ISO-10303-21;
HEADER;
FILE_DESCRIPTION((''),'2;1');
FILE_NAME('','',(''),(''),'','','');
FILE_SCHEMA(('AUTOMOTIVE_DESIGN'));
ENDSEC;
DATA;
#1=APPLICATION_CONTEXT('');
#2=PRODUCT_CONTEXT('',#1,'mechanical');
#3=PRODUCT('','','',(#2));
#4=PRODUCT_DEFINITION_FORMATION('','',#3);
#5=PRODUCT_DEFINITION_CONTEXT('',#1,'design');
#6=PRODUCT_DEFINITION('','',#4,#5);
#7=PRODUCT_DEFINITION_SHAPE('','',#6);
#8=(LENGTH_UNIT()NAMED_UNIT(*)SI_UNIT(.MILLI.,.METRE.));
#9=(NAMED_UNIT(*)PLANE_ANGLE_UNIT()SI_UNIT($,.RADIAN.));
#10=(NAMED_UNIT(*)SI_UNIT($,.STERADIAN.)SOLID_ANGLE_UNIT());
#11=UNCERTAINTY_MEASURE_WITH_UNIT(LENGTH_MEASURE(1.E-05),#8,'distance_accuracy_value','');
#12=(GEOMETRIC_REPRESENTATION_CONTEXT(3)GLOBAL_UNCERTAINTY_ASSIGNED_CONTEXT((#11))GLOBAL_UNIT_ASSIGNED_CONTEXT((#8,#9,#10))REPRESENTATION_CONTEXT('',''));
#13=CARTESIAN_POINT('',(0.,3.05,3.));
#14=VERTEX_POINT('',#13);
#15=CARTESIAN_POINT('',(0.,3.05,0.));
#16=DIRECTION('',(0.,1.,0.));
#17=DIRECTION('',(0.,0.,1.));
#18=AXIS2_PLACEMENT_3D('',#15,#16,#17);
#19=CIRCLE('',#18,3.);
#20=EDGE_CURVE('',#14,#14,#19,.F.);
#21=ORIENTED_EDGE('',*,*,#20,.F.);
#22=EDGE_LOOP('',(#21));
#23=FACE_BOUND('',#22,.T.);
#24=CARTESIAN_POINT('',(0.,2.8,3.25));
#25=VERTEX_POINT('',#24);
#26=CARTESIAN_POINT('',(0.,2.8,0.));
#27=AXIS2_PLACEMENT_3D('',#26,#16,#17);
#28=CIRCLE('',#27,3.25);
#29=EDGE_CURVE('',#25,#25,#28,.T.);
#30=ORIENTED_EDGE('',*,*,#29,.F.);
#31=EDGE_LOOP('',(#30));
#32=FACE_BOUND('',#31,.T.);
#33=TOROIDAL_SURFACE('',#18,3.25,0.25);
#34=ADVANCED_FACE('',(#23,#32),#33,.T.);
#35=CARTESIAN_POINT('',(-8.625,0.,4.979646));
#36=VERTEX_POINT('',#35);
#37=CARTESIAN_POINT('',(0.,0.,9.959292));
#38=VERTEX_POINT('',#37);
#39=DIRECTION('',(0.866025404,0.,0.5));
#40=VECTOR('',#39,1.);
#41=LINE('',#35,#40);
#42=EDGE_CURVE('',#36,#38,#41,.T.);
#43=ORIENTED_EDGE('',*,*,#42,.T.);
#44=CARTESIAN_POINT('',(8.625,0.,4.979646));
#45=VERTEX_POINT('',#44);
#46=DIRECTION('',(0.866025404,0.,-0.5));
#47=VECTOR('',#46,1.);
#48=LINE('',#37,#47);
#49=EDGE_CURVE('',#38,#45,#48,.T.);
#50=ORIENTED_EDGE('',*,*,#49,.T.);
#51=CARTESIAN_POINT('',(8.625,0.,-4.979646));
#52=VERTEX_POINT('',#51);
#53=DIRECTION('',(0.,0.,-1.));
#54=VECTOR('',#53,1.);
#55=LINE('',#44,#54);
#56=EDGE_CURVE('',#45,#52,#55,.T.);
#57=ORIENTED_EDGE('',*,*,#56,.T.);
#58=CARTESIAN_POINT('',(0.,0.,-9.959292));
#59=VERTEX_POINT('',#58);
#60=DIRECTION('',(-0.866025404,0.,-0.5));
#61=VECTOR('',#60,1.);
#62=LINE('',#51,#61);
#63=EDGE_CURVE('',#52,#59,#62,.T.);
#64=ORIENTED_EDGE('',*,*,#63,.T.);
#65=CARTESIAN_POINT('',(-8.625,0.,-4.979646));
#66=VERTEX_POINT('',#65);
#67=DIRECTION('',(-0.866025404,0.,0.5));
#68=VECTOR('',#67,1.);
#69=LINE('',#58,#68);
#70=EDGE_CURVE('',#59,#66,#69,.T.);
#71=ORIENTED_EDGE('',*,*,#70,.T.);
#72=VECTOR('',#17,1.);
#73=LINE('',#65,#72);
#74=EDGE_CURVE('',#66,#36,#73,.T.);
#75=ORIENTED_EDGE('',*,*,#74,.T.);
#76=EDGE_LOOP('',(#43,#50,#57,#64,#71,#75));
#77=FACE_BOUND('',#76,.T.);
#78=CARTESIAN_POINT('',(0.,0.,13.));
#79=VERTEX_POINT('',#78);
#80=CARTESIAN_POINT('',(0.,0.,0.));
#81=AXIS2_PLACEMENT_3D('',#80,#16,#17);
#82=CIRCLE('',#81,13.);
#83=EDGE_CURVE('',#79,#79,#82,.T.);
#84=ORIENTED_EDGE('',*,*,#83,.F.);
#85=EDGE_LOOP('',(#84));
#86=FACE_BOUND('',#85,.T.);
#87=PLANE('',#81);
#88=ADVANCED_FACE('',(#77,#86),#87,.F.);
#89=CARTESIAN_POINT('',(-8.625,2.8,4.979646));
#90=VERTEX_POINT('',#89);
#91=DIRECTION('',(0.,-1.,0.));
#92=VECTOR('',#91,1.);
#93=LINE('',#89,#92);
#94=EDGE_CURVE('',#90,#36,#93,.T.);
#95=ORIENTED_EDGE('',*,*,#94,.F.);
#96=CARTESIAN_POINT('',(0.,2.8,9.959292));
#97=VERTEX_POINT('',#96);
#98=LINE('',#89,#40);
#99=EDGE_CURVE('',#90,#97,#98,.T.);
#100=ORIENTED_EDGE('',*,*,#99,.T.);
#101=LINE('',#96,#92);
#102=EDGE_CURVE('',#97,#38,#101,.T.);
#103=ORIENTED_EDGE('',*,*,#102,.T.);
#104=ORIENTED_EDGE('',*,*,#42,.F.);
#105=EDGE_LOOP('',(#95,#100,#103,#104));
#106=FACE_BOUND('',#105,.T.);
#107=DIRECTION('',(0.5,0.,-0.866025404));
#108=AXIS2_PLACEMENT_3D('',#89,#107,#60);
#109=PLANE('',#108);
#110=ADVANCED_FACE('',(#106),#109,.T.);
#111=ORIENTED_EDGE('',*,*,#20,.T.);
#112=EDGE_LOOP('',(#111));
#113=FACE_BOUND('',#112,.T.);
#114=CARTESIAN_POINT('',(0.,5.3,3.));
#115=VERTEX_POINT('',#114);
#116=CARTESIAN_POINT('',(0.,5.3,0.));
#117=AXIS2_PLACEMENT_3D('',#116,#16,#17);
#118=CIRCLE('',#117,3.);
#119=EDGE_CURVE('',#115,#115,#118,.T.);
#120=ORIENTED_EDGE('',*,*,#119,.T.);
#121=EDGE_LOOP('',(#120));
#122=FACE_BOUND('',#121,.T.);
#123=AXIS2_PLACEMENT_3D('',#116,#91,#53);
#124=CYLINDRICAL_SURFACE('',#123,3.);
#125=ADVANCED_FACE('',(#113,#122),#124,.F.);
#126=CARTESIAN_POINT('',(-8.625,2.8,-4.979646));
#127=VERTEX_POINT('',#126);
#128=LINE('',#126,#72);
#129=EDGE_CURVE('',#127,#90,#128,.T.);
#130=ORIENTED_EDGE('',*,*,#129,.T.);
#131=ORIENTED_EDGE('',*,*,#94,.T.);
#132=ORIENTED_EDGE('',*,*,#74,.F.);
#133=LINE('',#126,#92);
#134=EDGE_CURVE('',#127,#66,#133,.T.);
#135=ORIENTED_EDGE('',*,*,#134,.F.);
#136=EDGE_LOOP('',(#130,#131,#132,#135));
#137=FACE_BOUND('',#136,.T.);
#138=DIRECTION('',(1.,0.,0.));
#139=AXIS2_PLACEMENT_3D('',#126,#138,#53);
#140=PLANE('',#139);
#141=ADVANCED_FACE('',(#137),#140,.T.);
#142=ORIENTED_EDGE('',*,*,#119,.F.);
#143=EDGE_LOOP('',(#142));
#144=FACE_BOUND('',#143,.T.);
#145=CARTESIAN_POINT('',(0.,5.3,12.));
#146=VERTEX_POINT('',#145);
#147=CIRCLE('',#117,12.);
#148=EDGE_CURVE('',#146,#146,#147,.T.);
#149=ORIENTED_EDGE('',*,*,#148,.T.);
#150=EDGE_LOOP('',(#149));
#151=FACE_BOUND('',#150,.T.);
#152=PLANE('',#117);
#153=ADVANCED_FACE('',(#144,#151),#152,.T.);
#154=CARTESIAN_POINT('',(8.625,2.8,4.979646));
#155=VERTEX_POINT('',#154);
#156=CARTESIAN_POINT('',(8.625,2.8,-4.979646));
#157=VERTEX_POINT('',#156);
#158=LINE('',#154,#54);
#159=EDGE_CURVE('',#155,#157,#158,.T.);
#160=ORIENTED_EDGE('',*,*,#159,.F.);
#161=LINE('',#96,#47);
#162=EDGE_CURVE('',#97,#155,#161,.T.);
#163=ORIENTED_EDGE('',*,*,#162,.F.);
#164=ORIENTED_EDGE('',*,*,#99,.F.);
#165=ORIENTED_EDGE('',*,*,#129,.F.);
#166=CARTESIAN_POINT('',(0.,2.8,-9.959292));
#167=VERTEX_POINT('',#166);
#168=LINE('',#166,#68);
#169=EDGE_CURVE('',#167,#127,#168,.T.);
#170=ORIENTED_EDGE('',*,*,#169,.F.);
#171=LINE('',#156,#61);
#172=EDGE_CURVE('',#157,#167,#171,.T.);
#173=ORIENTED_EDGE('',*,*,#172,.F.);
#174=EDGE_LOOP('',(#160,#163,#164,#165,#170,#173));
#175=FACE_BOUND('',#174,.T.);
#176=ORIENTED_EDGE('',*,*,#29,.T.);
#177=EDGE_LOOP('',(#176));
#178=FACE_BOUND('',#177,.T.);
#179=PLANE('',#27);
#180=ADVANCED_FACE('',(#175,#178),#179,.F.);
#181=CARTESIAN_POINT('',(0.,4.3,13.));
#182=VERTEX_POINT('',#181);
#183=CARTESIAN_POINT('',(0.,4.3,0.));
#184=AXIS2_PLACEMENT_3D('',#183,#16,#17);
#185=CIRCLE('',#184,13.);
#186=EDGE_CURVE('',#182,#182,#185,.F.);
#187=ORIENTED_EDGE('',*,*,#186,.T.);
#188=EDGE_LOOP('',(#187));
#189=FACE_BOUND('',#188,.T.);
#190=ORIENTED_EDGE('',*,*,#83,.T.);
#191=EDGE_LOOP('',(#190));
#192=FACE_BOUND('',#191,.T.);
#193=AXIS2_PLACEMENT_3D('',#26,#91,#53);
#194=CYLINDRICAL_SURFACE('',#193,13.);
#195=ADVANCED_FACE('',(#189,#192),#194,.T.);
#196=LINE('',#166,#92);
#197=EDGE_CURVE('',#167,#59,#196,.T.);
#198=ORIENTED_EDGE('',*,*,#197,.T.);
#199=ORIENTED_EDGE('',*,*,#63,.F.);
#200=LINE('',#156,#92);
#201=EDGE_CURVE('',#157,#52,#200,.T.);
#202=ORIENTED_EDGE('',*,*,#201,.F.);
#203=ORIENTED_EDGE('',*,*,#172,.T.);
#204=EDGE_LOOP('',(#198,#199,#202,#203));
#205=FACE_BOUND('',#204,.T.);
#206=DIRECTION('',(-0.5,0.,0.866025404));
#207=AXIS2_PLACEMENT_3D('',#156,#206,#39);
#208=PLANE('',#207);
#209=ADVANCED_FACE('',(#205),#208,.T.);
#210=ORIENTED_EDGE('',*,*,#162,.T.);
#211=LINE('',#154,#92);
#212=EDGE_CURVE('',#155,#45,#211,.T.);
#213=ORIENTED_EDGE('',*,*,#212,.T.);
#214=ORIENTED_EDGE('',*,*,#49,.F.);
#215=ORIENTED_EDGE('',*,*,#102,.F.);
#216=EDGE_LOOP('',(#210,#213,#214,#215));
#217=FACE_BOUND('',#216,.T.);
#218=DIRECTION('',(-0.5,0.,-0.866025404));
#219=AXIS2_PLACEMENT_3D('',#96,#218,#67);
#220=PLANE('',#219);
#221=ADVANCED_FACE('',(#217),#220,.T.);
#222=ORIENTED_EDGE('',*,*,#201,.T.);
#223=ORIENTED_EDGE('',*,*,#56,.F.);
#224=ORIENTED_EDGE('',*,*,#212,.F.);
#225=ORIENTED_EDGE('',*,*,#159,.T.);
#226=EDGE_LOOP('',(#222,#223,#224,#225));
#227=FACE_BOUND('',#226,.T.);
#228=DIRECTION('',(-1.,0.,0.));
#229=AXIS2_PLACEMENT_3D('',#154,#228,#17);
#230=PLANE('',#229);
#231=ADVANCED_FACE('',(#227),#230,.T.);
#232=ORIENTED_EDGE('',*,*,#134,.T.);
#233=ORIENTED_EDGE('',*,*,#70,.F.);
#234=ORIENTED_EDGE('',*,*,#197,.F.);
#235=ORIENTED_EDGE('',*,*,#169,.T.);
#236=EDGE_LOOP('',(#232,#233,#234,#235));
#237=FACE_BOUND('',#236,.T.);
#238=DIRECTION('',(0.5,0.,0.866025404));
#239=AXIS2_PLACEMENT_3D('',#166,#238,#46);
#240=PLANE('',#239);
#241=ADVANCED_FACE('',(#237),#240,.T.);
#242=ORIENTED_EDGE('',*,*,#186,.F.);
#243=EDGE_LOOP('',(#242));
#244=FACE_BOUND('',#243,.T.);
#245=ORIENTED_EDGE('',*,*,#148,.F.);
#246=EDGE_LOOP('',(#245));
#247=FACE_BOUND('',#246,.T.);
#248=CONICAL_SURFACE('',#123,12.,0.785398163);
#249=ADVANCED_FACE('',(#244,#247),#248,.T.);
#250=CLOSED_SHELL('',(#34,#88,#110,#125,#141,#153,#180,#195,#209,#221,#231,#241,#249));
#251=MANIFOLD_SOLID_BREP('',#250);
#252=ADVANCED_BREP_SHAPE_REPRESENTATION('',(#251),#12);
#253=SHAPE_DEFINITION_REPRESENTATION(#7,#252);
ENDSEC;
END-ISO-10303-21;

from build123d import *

# Parameters (mm, degrees)
SKETCH1_R           = 13
BOSS_EXTRUDE1_DEPTH = 2.8
SKETCH2_R           = 13
SKETCH2_R_2         = 3
BOSS_EXTRUDE2_DEPTH = 2.5
CHAMFER1_SIZE       = 1
FILLET1_R           = 0.25


with BuildPart() as part:
    # Sketch1 → Boss-Extrude1 (new body)
    with BuildSketch(Plane(origin=(0, 0, 0), x_dir=(1, 0, 0), z_dir=(0, 1, 0))):
        Circle(SKETCH1_R)
        Polygon((0, -9.959292144), (8.625, -4.979646072), (8.625, 4.979646072), (0, 9.959292144), (-8.625, 4.979646072), (-8.625, -4.979646072), align=None, mode=Mode.SUBTRACT)
    extrude(amount=BOSS_EXTRUDE1_DEPTH)

    # Sketch2 → Boss-Extrude2 (add)
    with BuildSketch(Plane(origin=(0, 2.8, 0), x_dir=(1, 0, 0), z_dir=(0, 1, 0))):
        Circle(SKETCH2_R)
        Circle(SKETCH2_R_2, mode=Mode.SUBTRACT)
    extrude(amount=BOSS_EXTRUDE2_DEPTH)

    # Chamfer1
    chamfer1_edges = [part.edges().sort_by_distance(p)[0] for p in [
        (-13, 5.3, 0),
    ]]
    chamfer(chamfer1_edges, length=CHAMFER1_SIZE)

    # Fillet1
    fillet1_edges = [part.edges().sort_by_distance(p)[0] for p in [
        (-3, 2.8, 0),
    ]]
    fillet(fillet1_edges, radius=FILLET1_R)


solid = part.part
